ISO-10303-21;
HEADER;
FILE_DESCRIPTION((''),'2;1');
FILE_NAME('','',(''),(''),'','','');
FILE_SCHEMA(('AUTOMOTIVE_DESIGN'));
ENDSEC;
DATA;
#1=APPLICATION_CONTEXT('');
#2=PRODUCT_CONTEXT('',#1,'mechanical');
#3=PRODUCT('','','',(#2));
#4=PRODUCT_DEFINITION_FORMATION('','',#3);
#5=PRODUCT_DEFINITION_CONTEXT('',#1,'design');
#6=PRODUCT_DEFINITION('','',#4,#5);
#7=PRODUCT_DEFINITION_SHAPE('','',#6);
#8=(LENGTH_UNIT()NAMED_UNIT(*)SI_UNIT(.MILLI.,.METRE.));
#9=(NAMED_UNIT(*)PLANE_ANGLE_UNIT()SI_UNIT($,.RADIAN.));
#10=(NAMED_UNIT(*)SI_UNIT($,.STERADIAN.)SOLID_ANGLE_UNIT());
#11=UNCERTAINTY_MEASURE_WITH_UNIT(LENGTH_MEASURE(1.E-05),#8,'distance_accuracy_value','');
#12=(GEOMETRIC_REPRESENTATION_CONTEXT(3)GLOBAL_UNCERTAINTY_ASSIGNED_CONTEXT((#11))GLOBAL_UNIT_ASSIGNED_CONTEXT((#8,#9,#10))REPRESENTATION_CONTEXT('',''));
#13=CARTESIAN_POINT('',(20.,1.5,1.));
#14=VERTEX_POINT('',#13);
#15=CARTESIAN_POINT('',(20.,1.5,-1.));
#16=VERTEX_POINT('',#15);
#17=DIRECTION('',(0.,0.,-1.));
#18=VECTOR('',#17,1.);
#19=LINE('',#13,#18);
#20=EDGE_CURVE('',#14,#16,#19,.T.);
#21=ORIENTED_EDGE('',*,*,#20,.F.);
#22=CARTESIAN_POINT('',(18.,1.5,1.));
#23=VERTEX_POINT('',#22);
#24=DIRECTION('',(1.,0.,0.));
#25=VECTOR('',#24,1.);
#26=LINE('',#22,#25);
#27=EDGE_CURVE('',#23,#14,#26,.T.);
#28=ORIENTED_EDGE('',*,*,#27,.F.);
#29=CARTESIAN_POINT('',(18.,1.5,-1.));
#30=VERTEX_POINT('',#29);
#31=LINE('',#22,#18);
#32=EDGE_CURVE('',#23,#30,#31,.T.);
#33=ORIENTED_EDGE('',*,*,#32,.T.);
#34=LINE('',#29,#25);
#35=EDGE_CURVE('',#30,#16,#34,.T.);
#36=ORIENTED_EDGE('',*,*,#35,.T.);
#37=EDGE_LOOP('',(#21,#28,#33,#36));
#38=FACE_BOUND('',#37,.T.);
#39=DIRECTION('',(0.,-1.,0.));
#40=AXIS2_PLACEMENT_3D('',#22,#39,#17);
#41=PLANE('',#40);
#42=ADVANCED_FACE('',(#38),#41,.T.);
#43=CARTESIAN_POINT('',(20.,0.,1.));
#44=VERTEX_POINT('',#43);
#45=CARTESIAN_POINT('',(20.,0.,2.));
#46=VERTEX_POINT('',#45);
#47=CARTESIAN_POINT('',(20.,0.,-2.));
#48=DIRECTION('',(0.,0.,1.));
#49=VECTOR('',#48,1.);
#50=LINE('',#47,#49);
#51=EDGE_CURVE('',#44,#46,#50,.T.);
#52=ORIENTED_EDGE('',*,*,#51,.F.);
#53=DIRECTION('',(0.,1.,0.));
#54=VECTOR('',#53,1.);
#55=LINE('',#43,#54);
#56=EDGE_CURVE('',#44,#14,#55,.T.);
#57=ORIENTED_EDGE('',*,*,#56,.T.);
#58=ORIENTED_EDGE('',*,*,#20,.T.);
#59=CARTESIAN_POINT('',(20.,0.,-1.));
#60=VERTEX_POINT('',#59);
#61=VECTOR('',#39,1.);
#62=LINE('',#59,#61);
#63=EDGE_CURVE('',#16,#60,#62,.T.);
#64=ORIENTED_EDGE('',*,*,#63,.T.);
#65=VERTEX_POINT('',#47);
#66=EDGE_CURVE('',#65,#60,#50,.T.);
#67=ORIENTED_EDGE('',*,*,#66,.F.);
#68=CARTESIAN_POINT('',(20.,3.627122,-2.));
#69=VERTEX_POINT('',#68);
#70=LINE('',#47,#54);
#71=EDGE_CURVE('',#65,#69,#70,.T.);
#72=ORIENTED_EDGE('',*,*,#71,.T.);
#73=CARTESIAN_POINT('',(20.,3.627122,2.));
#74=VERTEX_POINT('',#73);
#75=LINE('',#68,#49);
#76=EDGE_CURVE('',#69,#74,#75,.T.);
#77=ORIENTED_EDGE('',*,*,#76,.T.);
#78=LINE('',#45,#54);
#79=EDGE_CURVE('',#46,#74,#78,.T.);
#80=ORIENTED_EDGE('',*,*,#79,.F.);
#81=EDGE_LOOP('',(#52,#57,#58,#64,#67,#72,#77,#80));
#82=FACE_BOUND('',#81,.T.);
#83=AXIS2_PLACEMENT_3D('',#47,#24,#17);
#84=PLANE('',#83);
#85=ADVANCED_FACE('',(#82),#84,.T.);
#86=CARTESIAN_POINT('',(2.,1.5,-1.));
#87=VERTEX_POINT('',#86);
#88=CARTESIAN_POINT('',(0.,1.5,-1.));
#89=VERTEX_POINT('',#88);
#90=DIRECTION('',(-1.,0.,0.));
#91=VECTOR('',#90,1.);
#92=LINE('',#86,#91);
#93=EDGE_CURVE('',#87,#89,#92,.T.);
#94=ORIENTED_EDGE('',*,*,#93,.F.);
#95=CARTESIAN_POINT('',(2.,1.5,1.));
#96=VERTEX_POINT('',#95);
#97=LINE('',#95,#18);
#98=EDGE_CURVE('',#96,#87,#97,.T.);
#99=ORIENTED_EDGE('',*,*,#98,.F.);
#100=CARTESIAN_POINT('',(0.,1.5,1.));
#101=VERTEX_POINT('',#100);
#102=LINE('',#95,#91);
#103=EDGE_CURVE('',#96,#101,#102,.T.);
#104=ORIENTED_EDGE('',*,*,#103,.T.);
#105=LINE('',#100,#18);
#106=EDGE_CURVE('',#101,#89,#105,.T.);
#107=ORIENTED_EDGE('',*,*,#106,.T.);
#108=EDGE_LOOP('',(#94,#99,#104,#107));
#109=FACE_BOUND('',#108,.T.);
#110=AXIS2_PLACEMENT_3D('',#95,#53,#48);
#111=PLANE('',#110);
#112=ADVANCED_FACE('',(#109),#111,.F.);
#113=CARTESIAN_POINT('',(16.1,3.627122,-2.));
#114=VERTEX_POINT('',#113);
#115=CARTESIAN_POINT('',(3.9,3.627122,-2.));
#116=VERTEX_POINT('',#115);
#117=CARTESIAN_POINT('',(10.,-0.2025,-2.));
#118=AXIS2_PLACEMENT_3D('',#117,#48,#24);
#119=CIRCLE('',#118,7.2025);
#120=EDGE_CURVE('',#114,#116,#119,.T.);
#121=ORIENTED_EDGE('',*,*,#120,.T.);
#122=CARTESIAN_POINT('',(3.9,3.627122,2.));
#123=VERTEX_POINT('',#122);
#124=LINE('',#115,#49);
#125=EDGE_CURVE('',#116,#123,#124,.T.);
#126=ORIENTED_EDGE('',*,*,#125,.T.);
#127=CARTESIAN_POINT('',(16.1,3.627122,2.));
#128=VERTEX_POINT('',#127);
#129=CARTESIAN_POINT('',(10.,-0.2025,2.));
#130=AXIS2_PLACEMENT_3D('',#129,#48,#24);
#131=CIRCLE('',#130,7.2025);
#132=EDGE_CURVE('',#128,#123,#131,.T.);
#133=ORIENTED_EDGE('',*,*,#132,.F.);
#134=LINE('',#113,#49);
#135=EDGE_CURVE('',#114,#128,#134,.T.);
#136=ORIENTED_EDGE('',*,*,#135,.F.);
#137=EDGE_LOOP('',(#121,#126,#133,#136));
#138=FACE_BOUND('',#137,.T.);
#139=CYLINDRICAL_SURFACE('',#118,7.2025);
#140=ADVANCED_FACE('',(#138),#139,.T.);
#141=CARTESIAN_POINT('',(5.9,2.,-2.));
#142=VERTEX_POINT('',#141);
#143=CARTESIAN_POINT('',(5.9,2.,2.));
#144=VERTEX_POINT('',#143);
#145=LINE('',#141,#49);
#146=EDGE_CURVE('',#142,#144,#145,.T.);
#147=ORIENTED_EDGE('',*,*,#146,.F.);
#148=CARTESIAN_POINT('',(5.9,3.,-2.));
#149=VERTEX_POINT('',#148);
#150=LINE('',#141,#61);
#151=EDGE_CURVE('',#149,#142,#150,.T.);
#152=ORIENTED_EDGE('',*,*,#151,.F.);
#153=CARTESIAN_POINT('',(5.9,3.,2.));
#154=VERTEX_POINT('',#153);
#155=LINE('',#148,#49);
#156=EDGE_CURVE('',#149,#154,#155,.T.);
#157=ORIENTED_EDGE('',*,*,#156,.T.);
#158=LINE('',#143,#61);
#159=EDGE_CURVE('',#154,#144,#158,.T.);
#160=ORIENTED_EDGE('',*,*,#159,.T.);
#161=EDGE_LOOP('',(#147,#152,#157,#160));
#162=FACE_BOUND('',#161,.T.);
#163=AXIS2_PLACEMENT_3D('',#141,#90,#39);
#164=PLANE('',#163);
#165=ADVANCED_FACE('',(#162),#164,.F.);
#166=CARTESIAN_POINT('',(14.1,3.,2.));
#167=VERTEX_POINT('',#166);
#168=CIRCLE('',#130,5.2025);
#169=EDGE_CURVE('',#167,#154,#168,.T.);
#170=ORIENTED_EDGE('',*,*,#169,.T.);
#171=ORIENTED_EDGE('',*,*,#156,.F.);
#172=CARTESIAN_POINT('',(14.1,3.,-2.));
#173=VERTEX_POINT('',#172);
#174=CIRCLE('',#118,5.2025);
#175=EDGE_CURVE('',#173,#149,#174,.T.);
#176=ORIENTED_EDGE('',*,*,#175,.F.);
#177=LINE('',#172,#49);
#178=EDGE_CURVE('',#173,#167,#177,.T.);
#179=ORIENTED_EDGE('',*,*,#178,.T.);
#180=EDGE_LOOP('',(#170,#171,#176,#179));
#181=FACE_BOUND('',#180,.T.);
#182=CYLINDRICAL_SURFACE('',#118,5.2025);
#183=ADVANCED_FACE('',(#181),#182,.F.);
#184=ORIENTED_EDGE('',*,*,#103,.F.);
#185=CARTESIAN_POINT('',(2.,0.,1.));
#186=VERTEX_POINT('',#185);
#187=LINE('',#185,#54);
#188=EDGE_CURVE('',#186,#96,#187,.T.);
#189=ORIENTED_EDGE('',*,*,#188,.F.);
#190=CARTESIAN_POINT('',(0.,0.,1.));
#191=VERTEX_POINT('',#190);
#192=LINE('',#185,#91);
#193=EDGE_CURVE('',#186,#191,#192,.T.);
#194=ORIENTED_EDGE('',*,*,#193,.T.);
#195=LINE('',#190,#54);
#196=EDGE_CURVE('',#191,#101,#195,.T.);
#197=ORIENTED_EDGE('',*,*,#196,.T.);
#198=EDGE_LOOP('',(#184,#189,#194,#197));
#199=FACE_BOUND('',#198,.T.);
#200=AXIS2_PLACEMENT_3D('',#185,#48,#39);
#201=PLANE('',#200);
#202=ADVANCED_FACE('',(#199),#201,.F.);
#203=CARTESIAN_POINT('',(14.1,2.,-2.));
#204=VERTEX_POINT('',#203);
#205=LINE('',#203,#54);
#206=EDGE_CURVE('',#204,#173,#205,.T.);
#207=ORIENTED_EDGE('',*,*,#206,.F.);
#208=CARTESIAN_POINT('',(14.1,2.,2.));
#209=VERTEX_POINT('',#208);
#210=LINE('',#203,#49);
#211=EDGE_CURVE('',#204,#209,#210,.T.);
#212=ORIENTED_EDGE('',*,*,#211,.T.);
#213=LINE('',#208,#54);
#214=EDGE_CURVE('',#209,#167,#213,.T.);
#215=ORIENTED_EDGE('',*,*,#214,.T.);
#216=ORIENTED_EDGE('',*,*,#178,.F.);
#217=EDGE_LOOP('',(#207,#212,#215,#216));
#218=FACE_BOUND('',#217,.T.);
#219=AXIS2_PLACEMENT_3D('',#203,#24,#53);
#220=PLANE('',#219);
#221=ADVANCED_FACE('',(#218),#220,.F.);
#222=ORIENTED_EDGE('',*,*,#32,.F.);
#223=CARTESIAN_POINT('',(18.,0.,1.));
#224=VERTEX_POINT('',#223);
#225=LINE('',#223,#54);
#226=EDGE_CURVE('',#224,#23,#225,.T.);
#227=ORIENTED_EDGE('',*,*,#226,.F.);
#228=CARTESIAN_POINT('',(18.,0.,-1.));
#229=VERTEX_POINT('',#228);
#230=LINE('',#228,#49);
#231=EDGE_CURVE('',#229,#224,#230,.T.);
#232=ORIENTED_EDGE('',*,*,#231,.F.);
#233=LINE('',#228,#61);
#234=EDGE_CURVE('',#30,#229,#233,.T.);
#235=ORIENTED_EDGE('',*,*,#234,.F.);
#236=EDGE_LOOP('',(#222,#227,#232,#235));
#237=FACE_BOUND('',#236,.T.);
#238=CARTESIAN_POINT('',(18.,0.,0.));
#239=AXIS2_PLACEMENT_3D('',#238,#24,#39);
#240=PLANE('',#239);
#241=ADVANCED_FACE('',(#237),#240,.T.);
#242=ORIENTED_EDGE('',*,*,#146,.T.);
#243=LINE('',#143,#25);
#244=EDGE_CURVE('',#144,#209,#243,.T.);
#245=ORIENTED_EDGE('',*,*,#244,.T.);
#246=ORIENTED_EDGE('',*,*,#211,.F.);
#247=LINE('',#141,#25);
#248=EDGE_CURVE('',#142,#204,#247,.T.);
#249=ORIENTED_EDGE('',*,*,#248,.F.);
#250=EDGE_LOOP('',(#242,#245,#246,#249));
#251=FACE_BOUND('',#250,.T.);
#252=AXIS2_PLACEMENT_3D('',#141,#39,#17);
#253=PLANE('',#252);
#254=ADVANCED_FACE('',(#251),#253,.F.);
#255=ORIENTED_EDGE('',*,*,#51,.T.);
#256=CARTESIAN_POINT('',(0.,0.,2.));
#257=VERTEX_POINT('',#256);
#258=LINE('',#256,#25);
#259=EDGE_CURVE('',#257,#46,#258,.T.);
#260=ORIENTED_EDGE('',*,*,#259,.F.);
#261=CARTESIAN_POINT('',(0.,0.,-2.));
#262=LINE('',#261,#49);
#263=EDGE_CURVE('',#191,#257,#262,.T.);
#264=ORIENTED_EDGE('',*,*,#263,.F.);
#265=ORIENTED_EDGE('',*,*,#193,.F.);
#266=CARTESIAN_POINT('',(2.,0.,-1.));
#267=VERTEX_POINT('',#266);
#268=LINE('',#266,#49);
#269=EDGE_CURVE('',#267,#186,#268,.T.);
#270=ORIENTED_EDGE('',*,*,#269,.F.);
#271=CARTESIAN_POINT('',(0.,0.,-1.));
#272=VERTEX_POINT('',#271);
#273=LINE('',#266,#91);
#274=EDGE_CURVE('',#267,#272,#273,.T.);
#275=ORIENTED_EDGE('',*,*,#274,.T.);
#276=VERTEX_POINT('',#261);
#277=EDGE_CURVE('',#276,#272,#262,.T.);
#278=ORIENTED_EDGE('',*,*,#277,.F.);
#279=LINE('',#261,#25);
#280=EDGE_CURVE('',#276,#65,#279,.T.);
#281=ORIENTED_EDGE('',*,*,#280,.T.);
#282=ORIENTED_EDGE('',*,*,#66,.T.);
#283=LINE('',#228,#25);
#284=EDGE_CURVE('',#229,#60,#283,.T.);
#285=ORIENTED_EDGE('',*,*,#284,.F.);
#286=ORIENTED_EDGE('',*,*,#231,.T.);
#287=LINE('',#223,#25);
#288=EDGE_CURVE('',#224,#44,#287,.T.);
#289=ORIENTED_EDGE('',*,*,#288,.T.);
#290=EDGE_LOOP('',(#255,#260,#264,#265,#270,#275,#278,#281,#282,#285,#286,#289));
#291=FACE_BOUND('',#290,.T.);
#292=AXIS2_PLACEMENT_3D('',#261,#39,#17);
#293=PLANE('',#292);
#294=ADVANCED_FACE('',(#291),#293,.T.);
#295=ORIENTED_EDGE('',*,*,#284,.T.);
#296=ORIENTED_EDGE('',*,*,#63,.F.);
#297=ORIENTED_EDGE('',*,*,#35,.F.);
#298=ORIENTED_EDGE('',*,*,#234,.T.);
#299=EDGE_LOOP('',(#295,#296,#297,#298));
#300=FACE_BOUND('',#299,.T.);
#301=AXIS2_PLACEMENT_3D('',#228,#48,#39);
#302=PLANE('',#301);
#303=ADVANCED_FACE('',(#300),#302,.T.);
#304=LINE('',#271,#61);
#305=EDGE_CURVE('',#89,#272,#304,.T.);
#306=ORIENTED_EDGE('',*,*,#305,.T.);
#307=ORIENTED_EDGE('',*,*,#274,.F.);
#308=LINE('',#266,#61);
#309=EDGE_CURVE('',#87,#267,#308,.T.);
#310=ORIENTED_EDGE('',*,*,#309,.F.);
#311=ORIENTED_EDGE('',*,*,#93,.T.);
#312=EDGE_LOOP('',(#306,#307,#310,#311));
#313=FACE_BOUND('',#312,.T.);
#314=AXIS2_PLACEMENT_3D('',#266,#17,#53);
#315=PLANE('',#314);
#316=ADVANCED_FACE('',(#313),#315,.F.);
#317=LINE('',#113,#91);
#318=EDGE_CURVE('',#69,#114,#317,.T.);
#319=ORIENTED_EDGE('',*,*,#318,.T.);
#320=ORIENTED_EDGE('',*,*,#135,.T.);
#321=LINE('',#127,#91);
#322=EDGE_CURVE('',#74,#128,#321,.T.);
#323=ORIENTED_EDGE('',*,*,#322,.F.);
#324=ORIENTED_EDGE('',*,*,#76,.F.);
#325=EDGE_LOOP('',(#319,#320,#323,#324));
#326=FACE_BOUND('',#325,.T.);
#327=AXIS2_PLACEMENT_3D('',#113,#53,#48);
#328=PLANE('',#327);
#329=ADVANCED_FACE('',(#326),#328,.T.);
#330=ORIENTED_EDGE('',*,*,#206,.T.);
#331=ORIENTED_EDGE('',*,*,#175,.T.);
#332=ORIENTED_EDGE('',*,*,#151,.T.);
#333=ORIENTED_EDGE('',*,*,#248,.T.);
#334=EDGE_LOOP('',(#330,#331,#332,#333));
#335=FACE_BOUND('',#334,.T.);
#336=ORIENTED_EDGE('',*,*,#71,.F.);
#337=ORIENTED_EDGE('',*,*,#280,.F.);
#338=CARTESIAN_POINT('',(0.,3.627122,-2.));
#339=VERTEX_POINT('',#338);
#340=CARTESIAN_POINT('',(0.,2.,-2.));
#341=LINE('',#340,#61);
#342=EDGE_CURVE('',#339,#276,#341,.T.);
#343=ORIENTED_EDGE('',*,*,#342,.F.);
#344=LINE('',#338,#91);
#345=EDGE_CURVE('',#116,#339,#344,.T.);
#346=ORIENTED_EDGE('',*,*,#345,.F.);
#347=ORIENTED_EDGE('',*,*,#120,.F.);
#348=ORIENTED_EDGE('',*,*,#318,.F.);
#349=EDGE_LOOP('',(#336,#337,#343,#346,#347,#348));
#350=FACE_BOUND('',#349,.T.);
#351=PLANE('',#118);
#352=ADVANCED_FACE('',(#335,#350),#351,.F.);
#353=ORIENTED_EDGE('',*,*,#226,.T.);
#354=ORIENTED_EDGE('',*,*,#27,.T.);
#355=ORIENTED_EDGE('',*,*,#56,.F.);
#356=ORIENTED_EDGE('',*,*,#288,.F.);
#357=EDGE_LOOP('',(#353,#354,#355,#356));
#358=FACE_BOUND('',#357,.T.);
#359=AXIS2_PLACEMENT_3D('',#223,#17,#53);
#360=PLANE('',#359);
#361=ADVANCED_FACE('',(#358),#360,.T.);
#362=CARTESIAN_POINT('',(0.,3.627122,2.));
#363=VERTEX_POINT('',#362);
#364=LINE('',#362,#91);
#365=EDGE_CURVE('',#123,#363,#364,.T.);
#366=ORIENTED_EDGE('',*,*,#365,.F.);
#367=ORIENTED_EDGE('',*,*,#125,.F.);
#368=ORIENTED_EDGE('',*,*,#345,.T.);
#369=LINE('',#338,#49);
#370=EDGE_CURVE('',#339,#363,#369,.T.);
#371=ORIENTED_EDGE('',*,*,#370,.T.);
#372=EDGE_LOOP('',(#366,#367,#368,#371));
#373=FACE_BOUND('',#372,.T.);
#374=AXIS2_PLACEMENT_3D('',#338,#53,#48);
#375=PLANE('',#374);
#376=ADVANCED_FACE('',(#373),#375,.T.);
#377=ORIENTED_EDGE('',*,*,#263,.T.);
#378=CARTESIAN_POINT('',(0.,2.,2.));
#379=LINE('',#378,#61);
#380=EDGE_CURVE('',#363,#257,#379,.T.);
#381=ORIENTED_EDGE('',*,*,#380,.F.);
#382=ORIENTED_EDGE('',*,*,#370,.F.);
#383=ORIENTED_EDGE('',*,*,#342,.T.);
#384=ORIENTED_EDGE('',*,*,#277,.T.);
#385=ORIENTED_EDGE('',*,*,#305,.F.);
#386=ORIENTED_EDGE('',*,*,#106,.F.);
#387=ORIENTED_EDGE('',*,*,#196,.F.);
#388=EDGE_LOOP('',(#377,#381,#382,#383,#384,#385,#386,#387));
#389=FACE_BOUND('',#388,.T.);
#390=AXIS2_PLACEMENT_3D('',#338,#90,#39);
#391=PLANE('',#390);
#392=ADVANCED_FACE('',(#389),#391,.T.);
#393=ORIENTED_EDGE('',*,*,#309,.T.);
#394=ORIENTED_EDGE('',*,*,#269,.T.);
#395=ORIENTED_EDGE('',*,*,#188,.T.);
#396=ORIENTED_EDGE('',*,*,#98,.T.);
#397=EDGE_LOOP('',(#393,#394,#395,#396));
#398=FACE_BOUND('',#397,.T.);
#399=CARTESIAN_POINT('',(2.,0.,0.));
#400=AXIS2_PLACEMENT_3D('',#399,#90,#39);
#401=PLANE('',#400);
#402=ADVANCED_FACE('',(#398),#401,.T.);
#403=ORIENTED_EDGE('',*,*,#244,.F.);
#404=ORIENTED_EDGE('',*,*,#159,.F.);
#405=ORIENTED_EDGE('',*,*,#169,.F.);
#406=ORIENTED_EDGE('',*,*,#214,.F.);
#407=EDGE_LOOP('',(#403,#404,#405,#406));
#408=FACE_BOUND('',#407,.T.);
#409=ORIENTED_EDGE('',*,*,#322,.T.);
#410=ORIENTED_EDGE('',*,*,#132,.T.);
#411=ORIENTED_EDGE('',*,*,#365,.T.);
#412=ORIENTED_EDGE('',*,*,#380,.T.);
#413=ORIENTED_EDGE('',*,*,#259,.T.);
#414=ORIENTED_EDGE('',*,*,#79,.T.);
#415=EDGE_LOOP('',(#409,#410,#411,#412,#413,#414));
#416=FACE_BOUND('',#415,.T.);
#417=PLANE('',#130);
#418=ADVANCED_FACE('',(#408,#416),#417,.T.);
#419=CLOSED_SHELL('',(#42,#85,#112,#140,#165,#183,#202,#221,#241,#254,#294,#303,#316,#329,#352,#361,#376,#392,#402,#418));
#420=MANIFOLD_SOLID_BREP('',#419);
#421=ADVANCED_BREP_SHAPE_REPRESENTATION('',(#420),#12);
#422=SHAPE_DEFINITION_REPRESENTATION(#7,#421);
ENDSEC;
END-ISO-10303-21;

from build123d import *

# Parameters (mm, degrees)
BOSS_EXTRUDE1_DEPTH      = 2
BOSS_EXTRUDE1_DEPTH_BACK = 2
SKETCH2_W                = 2
SKETCH2_H                = 1.5
CUT_EXTRUDE1_DEPTH       = 2


with BuildPart() as part:
    # Sketch1 → Boss-Extrude1 (new, two sides: drawn at the far end of the back side and taken through both)
    with BuildSketch(Plane.XY.offset(-BOSS_EXTRUDE1_DEPTH_BACK)):
        with BuildLine():
            Line((0, 0), (20, 0))
            Line((20, 0), (20, 3.627122207))
            Line((20, 3.627122207), (16.1, 3.627122207))
            ThreePointArc((16.1, 3.627122207), (10, 7), (3.9, 3.627122207))
            Line((3.9, 3.627122207), (0, 3.627122207))
            Line((0, 3.627122207), (0, 2))
            Line((0, 2), (0, 0))
        make_face()
        with BuildLine():
            Line((5.9, 2), (5.9, 3))
            ThreePointArc((5.9, 3), (10, 5), (14.1, 3))
            Line((14.1, 3), (14.1, 2))
            Line((14.1, 2), (5.9, 2))
        make_face(mode=Mode.SUBTRACT)
    extrude(amount=BOSS_EXTRUDE1_DEPTH + BOSS_EXTRUDE1_DEPTH_BACK)

    # Sketch2 → Cut-Extrude1 (cut)
    with BuildSketch(Plane.ZY):
        with Locations((0, 0.75)):
            Rectangle(SKETCH2_W, SKETCH2_H)
    cut_extrude1 = extrude(amount=-CUT_EXTRUDE1_DEPTH, mode=Mode.SUBTRACT)

    # Mirror1: Cut-Extrude1 across plane
    add(cut_extrude1.mirror(Plane.ZY.offset(-10)), mode=Mode.SUBTRACT)


solid = part.part
